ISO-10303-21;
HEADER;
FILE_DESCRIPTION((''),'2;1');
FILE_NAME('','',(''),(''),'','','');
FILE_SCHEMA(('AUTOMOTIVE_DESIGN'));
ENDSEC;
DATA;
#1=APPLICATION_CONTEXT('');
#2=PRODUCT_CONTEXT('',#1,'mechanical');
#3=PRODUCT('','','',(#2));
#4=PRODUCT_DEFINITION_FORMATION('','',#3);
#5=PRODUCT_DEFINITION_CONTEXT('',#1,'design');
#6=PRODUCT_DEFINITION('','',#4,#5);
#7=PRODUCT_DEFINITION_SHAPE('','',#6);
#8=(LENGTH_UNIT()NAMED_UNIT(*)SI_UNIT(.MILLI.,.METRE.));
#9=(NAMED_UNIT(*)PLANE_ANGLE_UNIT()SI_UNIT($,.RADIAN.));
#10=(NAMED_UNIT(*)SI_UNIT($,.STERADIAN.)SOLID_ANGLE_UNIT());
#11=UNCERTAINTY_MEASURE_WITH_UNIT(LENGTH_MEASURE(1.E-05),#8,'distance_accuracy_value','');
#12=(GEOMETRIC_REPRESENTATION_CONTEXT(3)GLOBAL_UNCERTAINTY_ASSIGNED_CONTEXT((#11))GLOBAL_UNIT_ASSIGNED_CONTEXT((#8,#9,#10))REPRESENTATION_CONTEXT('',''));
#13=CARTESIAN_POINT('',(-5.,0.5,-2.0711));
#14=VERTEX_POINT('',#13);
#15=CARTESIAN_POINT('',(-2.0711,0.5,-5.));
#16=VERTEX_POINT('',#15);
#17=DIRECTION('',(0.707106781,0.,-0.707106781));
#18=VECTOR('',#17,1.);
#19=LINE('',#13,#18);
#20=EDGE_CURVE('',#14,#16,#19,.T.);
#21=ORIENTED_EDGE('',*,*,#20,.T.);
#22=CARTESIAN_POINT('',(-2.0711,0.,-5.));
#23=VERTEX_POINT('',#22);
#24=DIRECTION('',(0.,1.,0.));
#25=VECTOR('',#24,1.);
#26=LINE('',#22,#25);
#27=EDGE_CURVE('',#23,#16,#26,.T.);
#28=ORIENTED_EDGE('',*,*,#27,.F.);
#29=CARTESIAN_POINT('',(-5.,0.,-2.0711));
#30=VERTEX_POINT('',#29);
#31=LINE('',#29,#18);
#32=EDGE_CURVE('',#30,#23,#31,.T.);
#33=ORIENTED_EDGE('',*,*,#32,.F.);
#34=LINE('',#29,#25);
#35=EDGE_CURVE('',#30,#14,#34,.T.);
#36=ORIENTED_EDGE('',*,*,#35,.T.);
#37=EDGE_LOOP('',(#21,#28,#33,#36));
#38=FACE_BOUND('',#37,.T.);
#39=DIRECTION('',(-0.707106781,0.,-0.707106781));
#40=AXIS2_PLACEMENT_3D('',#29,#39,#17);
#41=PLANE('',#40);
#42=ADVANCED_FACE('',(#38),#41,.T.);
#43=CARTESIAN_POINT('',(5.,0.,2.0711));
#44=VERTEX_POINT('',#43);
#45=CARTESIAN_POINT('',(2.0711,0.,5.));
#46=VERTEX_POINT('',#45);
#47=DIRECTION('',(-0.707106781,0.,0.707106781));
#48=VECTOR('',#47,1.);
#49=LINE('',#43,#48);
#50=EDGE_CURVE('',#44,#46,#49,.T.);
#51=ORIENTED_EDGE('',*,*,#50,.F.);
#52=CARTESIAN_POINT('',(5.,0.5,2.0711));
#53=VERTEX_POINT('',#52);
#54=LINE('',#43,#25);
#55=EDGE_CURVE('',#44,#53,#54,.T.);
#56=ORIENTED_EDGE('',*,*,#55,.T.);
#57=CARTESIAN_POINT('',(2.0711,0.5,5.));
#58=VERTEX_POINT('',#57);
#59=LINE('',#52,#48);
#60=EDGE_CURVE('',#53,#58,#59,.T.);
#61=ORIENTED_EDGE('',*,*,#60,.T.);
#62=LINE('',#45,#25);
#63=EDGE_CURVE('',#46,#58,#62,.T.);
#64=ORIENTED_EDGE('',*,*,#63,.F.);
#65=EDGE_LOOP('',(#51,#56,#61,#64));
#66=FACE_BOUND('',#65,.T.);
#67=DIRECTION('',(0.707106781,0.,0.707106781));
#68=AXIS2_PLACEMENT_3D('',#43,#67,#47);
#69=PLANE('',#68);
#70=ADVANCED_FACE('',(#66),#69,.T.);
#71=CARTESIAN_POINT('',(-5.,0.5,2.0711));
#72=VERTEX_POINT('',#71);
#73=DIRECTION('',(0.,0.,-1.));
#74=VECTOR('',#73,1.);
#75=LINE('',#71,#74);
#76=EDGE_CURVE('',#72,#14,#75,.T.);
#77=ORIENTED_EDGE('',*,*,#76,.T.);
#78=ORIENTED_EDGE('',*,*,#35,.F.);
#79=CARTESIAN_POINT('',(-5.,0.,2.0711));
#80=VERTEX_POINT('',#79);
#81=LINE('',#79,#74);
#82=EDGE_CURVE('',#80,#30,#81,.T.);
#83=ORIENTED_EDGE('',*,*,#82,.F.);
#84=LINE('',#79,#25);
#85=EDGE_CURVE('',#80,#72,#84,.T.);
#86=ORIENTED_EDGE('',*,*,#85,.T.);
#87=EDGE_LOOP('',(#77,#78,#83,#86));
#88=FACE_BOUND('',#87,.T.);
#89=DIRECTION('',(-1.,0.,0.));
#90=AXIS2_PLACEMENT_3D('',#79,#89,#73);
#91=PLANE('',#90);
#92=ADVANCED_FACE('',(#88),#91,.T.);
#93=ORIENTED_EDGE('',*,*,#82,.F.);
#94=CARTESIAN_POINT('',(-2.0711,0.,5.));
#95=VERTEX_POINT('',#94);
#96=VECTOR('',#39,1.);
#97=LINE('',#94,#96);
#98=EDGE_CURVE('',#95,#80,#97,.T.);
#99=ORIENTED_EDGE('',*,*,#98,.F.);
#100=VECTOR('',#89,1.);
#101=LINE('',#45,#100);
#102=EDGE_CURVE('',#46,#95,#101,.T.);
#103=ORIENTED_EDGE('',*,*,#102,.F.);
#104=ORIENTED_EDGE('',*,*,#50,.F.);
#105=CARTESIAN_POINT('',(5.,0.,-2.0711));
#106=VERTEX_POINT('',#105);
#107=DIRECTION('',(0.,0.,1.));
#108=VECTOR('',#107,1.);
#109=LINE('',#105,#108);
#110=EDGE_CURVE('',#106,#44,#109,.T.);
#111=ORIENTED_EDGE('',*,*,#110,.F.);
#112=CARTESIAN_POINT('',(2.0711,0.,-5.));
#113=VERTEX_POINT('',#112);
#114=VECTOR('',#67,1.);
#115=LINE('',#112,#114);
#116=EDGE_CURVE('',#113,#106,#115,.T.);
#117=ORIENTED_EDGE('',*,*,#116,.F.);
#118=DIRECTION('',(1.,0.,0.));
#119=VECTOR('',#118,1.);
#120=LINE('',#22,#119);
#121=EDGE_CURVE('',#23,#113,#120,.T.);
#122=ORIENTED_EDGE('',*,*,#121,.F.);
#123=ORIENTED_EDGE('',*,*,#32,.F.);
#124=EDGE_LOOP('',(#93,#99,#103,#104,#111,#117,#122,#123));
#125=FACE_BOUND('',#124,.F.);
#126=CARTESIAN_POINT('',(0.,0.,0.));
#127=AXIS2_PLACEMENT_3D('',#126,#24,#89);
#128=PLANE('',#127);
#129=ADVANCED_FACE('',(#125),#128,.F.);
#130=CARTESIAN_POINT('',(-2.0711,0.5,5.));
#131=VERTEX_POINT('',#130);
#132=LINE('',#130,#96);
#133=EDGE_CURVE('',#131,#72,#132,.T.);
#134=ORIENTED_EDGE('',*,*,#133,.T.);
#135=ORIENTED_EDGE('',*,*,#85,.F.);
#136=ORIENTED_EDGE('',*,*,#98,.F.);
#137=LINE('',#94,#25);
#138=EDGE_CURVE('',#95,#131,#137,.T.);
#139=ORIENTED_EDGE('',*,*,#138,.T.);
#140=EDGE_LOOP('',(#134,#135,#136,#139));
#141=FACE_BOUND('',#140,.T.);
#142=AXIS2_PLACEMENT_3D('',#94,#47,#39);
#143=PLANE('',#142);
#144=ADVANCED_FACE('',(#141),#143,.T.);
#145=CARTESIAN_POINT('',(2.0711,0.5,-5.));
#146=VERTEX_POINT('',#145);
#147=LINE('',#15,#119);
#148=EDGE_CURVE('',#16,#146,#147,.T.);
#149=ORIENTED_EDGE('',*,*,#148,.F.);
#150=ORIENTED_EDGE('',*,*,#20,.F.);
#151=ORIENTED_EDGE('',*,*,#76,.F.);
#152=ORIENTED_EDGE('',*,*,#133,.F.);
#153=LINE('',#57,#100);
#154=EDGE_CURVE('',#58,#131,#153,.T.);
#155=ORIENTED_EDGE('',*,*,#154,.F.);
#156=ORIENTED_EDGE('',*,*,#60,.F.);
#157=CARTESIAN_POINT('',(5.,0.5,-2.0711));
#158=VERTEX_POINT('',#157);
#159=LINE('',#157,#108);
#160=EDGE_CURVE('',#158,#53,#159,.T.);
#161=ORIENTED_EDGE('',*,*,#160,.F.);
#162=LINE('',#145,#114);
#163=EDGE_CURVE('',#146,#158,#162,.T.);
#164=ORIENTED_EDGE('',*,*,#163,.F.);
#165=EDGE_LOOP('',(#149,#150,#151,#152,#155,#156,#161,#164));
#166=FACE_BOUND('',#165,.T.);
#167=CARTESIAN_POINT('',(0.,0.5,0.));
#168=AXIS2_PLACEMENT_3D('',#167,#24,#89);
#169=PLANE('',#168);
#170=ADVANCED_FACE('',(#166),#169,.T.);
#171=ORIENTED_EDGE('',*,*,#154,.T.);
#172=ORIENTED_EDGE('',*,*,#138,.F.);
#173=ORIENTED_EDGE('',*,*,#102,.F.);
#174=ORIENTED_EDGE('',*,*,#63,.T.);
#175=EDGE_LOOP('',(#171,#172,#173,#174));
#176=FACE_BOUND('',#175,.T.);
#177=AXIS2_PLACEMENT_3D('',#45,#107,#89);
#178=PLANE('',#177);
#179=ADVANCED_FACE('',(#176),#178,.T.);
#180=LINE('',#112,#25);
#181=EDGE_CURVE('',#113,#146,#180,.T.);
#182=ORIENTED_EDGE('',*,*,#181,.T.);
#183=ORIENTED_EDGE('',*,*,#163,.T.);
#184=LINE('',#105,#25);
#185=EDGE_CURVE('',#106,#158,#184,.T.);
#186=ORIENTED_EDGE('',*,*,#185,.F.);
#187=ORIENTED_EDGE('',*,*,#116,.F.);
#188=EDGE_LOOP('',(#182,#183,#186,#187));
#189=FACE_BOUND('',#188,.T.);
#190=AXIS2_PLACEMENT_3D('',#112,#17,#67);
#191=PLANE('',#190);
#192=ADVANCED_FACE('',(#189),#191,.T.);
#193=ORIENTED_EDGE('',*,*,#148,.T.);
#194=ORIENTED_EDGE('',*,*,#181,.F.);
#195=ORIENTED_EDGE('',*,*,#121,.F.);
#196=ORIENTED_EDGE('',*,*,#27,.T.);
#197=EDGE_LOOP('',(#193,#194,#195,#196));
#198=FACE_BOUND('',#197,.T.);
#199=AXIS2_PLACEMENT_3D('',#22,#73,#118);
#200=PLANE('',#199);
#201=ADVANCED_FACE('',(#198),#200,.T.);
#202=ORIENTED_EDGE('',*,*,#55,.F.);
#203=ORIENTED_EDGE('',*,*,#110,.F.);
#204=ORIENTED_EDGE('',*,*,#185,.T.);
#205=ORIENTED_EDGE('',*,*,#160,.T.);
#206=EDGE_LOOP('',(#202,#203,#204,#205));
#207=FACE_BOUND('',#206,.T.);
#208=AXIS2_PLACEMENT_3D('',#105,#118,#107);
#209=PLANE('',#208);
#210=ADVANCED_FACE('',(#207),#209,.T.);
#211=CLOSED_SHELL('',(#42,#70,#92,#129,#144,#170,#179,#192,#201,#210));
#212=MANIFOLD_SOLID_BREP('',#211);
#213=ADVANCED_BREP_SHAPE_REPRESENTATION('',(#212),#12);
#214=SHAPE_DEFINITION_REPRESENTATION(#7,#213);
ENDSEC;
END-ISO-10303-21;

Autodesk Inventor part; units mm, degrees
ref_plane "YZ Plane" through (0, 0, 0) normal (1, 0, 0) x (0, 1, 0)
ref_plane "XZ Plane" through (0, 0, 0) normal (0, 1, 0) x (-1, 0, 0)
ref_plane "XY Plane" through (0, 0, 0) normal (0, 0, 1) x (1, 0, 0)
sketch "Sketch1" plane through (0, 0, 0) normal (0, 1, 0) x (-1, 0, 0)
  line L0 (0, -5.2573) -> (-3.0902, -4.2533) construction
  line L1 (-3.0902, -4.2533) -> (-5, -1.6246) construction
  line L2 (-5, -1.6246) -> (-5, 1.6246) construction
  line L3 (-5, 1.6246) -> (-3.0902, 4.2533) construction
  line L4 (-3.0902, 4.2533) -> (0, 5.2573) construction
  line L5 (0, 5.2573) -> (3.0902, 4.2533) construction
  line L6 (3.0902, 4.2533) -> (5, 1.6246) construction
  line L7 (5, 1.6246) -> (5, -1.6246) construction
  line L8 (5, -1.6246) -> (3.0902, -4.2533) construction
  line L9 (3.0902, -4.2533) -> (0, -5.2573) construction
  line L10 (-2.0711, -5) -> (-5, -2.0711)
  line L11 (-5, -2.0711) -> (-5, 2.0711)
  line L12 (-5, 2.0711) -> (-2.0711, 5)
  line L13 (-2.0711, 5) -> (2.0711, 5)
  line L14 (2.0711, 5) -> (5, 2.0711)
  line L15 (5, 2.0711) -> (5, -2.0711)
  line L16 (5, -2.0711) -> (2.0711, -5)
  line L17 (2.0711, -5) -> (-2.0711, -5)
  line L18 (0, 0) -> (-10.1721, 0) construction
  dimension "d0" = 10
  dimension "d3" = 10
extrude "Extrusion1" add sketch "Sketch1" along normal blind 0.5
properties part number "Substrate"
